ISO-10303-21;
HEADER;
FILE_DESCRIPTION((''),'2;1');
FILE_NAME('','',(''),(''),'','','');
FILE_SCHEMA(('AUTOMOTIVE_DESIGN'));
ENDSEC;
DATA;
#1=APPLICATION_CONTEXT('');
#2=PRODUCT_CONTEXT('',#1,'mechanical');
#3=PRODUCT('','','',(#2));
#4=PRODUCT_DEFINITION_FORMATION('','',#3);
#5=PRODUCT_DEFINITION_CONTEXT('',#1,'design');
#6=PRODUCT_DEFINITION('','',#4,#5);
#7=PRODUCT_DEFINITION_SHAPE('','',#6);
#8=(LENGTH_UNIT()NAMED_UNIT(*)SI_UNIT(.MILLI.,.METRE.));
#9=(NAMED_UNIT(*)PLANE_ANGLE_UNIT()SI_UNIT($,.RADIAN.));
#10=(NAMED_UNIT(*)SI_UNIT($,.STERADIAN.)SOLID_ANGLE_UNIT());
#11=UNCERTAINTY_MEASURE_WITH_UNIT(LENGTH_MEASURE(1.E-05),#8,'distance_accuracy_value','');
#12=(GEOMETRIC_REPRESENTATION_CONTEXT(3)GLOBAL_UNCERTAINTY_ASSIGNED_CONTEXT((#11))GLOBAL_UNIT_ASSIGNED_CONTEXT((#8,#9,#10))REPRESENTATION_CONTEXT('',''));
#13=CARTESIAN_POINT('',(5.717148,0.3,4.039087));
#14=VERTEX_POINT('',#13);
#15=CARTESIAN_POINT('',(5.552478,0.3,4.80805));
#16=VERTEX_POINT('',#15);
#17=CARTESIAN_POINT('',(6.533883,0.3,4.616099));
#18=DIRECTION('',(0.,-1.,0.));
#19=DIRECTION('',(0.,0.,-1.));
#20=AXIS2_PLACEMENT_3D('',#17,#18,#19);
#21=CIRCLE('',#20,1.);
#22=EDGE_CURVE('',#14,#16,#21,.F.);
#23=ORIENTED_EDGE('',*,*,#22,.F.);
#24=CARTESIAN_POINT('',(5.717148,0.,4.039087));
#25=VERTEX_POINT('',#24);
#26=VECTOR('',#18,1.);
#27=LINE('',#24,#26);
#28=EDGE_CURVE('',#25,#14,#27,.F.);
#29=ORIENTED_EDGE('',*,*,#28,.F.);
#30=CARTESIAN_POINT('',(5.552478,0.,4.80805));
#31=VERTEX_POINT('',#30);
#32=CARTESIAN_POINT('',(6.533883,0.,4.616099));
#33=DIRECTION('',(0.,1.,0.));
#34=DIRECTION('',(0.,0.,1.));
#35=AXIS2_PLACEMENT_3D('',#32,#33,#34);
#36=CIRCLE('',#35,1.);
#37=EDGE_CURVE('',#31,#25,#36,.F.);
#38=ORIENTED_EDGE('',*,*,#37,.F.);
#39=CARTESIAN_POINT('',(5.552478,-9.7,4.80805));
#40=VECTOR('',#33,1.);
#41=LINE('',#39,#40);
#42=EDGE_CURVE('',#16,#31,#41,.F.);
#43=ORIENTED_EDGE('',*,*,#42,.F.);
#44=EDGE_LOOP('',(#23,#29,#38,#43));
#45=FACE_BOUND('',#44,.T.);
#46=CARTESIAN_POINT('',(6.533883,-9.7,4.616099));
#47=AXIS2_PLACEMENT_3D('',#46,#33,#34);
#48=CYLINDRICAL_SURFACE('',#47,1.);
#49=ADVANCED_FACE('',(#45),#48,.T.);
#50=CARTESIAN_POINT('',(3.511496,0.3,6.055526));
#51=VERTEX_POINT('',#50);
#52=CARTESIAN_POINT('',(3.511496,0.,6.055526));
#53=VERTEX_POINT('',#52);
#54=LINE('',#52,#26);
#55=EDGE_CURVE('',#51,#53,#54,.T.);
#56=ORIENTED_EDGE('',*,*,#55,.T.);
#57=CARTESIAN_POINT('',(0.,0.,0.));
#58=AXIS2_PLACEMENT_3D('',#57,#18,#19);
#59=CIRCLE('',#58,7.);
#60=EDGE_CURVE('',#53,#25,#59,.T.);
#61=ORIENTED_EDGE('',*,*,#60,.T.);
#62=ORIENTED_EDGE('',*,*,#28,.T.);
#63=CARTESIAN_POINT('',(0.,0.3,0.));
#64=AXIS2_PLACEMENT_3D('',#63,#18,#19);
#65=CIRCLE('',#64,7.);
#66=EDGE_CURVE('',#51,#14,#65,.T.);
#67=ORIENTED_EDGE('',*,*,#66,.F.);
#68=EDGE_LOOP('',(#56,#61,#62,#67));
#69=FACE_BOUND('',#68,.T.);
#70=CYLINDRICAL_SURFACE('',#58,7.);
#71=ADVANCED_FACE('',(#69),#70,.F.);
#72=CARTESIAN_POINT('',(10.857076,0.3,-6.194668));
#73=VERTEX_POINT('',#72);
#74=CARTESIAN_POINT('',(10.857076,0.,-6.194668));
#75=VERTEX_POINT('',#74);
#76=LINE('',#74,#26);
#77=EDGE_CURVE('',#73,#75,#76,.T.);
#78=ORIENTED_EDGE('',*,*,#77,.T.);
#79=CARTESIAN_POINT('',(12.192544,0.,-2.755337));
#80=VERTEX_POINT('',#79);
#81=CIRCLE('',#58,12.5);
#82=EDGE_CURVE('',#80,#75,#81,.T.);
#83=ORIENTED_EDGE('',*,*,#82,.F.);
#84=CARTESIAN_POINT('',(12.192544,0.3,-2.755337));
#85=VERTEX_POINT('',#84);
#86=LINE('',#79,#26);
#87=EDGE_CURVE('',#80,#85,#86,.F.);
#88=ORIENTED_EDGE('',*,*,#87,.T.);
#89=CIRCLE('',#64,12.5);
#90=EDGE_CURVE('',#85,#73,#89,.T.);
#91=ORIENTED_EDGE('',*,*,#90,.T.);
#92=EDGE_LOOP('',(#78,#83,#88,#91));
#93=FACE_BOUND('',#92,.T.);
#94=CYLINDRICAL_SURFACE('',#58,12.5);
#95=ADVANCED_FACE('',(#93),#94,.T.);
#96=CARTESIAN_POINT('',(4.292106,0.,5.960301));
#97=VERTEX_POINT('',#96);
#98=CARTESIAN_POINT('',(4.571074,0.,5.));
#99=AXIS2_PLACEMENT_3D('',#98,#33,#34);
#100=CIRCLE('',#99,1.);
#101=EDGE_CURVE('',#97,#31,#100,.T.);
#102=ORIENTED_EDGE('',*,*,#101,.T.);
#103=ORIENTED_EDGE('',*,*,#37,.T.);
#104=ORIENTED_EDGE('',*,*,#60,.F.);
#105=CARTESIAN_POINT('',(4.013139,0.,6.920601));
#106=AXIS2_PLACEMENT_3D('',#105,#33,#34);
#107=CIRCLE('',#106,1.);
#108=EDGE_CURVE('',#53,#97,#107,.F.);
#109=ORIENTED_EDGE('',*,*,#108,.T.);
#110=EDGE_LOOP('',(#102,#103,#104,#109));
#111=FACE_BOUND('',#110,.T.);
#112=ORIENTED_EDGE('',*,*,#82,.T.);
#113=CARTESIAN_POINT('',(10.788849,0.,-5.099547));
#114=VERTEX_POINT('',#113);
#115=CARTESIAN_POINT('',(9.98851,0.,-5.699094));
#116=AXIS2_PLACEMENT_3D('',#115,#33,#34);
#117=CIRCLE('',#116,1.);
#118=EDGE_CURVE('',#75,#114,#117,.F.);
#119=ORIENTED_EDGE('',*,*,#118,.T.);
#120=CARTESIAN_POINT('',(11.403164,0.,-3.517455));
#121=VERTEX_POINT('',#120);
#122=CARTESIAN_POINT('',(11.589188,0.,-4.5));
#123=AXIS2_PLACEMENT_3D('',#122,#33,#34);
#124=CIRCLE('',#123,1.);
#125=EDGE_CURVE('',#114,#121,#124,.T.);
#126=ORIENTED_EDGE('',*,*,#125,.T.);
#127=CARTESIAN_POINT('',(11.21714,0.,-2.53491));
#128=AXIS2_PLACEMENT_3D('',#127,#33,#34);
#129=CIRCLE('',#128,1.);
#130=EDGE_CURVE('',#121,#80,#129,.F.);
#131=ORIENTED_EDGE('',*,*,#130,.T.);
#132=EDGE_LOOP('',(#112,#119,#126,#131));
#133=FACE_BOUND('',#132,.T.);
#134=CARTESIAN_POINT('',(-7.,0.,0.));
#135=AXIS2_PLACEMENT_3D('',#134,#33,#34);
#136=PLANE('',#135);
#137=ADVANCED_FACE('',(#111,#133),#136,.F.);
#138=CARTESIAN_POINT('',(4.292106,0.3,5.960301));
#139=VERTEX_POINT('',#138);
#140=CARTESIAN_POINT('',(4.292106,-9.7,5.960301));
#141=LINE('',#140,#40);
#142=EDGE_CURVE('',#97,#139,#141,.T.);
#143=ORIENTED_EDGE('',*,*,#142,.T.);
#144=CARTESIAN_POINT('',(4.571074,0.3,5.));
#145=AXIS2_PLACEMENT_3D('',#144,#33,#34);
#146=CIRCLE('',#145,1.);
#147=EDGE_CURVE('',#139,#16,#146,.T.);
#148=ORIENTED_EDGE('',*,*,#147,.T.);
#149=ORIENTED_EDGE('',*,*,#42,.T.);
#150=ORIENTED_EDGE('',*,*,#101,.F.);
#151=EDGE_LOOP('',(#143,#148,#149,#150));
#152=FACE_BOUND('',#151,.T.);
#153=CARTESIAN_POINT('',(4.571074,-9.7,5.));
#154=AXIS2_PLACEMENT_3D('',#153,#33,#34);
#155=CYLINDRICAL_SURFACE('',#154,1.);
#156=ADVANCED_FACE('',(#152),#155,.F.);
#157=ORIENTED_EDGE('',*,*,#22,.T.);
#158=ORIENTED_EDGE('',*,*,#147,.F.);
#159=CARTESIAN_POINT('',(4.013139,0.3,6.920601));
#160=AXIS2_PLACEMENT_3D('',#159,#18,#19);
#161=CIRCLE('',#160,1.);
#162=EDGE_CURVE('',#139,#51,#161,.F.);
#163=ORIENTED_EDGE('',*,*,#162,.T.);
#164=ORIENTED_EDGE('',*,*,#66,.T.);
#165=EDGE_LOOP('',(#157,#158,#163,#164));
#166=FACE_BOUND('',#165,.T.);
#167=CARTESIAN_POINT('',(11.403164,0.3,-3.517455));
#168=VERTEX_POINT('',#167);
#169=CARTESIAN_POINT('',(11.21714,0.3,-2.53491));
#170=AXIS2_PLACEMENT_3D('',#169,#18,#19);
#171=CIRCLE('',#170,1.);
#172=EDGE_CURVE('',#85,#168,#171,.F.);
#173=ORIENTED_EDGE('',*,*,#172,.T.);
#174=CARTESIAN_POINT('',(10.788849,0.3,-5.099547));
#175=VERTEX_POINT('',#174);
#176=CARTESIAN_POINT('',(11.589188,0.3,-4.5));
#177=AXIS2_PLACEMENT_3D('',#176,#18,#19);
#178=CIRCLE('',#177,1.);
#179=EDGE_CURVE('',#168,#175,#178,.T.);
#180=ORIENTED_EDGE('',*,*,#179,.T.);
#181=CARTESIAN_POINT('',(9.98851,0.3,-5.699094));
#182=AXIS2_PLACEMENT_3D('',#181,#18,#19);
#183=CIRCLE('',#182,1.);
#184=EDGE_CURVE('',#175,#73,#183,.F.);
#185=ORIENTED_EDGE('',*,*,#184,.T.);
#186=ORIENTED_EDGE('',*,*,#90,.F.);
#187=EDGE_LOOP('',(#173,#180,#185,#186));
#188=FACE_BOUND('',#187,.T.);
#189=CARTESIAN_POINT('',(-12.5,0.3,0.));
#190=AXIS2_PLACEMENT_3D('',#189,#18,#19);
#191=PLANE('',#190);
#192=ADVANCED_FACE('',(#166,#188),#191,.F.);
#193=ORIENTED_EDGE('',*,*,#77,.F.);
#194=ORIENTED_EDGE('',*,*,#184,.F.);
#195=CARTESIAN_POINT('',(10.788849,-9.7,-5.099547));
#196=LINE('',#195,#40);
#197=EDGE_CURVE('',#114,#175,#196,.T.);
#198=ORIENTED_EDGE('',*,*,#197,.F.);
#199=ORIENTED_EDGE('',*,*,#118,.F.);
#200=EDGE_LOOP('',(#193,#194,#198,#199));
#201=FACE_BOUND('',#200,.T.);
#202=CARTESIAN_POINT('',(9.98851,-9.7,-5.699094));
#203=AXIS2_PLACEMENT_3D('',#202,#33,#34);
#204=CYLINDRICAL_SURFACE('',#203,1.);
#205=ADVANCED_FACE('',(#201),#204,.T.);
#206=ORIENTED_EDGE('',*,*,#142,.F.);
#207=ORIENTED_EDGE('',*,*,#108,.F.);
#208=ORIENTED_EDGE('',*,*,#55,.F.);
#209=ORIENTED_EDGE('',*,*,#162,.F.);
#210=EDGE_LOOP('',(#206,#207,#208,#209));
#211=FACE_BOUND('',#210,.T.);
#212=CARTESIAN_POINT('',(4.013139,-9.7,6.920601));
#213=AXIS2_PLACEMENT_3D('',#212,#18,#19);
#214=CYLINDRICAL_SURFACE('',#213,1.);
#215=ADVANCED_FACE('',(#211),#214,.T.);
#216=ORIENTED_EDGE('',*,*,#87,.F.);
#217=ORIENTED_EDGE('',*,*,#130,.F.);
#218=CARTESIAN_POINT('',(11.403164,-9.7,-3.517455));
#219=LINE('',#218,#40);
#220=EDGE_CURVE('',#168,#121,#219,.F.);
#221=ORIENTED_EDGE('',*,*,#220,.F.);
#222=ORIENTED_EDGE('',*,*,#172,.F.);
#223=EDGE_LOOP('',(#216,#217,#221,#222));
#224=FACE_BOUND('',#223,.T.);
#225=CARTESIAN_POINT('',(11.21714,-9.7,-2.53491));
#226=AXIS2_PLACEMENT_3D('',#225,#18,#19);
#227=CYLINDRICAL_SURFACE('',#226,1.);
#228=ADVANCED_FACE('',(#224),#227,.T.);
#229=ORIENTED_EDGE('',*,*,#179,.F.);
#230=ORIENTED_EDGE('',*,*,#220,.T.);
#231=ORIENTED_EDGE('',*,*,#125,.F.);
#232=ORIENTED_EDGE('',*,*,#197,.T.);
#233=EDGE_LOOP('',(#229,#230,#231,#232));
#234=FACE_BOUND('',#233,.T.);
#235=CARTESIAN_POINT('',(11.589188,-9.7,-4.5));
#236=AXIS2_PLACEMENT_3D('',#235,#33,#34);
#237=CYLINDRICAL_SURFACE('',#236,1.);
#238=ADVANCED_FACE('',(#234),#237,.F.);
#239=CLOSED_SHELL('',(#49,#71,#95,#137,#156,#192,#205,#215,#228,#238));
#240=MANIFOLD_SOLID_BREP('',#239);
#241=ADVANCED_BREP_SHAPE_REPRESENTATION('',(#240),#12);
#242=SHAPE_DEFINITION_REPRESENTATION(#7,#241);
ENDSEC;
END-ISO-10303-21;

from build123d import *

# Parameters (mm, degrees)
SKETCH1_W          = 5.5
SKETCH1_H          = 0.3
SKETCH2_R          = 1
CUT_EXTRUDE1_DEPTH = 10
FILLET1_R          = 1


with BuildPart() as part:
    # Sketch1 → Revolve1 (revolve)
    with BuildSketch(Plane.XY, mode=Mode.PRIVATE) as revolve1_sk:
        with Locations((-9.75, 0.15)):
            Rectangle(SKETCH1_W, SKETCH1_H)
    revolve(revolve1_sk.sketch.rotate(Axis((0, 0, 0), (0, 1, 0)), 270), axis=Axis((0, 0, 0), (0, 1, 0)))

    # Sketch2 → Cut-Extrude1 (cut)
    with BuildSketch(Plane(origin=(0, 0.3, 0), x_dir=(1, 0, 0), z_dir=(0, 1, 0))):
        with Locations((4.571073678, -5)):
            Circle(SKETCH2_R)
        with Locations((11.589188307, 4.5)):
            Circle(SKETCH2_R)
    extrude(amount=-CUT_EXTRUDE1_DEPTH, mode=Mode.SUBTRACT)

    # Fillet1
    fillet1_edges = [part.edges().sort_by_distance(p)[0] for p in [
        (5.405006845, 0.15, 4.448134553),
        (3.946825109, 0.15, 5.781225783),
        (11.976907898, 0.15, -3.578222631),
        (11.253259969, 0.15, -5.441887547),
    ]]
    fillet(fillet1_edges, radius=FILLET1_R)


solid = part.part
